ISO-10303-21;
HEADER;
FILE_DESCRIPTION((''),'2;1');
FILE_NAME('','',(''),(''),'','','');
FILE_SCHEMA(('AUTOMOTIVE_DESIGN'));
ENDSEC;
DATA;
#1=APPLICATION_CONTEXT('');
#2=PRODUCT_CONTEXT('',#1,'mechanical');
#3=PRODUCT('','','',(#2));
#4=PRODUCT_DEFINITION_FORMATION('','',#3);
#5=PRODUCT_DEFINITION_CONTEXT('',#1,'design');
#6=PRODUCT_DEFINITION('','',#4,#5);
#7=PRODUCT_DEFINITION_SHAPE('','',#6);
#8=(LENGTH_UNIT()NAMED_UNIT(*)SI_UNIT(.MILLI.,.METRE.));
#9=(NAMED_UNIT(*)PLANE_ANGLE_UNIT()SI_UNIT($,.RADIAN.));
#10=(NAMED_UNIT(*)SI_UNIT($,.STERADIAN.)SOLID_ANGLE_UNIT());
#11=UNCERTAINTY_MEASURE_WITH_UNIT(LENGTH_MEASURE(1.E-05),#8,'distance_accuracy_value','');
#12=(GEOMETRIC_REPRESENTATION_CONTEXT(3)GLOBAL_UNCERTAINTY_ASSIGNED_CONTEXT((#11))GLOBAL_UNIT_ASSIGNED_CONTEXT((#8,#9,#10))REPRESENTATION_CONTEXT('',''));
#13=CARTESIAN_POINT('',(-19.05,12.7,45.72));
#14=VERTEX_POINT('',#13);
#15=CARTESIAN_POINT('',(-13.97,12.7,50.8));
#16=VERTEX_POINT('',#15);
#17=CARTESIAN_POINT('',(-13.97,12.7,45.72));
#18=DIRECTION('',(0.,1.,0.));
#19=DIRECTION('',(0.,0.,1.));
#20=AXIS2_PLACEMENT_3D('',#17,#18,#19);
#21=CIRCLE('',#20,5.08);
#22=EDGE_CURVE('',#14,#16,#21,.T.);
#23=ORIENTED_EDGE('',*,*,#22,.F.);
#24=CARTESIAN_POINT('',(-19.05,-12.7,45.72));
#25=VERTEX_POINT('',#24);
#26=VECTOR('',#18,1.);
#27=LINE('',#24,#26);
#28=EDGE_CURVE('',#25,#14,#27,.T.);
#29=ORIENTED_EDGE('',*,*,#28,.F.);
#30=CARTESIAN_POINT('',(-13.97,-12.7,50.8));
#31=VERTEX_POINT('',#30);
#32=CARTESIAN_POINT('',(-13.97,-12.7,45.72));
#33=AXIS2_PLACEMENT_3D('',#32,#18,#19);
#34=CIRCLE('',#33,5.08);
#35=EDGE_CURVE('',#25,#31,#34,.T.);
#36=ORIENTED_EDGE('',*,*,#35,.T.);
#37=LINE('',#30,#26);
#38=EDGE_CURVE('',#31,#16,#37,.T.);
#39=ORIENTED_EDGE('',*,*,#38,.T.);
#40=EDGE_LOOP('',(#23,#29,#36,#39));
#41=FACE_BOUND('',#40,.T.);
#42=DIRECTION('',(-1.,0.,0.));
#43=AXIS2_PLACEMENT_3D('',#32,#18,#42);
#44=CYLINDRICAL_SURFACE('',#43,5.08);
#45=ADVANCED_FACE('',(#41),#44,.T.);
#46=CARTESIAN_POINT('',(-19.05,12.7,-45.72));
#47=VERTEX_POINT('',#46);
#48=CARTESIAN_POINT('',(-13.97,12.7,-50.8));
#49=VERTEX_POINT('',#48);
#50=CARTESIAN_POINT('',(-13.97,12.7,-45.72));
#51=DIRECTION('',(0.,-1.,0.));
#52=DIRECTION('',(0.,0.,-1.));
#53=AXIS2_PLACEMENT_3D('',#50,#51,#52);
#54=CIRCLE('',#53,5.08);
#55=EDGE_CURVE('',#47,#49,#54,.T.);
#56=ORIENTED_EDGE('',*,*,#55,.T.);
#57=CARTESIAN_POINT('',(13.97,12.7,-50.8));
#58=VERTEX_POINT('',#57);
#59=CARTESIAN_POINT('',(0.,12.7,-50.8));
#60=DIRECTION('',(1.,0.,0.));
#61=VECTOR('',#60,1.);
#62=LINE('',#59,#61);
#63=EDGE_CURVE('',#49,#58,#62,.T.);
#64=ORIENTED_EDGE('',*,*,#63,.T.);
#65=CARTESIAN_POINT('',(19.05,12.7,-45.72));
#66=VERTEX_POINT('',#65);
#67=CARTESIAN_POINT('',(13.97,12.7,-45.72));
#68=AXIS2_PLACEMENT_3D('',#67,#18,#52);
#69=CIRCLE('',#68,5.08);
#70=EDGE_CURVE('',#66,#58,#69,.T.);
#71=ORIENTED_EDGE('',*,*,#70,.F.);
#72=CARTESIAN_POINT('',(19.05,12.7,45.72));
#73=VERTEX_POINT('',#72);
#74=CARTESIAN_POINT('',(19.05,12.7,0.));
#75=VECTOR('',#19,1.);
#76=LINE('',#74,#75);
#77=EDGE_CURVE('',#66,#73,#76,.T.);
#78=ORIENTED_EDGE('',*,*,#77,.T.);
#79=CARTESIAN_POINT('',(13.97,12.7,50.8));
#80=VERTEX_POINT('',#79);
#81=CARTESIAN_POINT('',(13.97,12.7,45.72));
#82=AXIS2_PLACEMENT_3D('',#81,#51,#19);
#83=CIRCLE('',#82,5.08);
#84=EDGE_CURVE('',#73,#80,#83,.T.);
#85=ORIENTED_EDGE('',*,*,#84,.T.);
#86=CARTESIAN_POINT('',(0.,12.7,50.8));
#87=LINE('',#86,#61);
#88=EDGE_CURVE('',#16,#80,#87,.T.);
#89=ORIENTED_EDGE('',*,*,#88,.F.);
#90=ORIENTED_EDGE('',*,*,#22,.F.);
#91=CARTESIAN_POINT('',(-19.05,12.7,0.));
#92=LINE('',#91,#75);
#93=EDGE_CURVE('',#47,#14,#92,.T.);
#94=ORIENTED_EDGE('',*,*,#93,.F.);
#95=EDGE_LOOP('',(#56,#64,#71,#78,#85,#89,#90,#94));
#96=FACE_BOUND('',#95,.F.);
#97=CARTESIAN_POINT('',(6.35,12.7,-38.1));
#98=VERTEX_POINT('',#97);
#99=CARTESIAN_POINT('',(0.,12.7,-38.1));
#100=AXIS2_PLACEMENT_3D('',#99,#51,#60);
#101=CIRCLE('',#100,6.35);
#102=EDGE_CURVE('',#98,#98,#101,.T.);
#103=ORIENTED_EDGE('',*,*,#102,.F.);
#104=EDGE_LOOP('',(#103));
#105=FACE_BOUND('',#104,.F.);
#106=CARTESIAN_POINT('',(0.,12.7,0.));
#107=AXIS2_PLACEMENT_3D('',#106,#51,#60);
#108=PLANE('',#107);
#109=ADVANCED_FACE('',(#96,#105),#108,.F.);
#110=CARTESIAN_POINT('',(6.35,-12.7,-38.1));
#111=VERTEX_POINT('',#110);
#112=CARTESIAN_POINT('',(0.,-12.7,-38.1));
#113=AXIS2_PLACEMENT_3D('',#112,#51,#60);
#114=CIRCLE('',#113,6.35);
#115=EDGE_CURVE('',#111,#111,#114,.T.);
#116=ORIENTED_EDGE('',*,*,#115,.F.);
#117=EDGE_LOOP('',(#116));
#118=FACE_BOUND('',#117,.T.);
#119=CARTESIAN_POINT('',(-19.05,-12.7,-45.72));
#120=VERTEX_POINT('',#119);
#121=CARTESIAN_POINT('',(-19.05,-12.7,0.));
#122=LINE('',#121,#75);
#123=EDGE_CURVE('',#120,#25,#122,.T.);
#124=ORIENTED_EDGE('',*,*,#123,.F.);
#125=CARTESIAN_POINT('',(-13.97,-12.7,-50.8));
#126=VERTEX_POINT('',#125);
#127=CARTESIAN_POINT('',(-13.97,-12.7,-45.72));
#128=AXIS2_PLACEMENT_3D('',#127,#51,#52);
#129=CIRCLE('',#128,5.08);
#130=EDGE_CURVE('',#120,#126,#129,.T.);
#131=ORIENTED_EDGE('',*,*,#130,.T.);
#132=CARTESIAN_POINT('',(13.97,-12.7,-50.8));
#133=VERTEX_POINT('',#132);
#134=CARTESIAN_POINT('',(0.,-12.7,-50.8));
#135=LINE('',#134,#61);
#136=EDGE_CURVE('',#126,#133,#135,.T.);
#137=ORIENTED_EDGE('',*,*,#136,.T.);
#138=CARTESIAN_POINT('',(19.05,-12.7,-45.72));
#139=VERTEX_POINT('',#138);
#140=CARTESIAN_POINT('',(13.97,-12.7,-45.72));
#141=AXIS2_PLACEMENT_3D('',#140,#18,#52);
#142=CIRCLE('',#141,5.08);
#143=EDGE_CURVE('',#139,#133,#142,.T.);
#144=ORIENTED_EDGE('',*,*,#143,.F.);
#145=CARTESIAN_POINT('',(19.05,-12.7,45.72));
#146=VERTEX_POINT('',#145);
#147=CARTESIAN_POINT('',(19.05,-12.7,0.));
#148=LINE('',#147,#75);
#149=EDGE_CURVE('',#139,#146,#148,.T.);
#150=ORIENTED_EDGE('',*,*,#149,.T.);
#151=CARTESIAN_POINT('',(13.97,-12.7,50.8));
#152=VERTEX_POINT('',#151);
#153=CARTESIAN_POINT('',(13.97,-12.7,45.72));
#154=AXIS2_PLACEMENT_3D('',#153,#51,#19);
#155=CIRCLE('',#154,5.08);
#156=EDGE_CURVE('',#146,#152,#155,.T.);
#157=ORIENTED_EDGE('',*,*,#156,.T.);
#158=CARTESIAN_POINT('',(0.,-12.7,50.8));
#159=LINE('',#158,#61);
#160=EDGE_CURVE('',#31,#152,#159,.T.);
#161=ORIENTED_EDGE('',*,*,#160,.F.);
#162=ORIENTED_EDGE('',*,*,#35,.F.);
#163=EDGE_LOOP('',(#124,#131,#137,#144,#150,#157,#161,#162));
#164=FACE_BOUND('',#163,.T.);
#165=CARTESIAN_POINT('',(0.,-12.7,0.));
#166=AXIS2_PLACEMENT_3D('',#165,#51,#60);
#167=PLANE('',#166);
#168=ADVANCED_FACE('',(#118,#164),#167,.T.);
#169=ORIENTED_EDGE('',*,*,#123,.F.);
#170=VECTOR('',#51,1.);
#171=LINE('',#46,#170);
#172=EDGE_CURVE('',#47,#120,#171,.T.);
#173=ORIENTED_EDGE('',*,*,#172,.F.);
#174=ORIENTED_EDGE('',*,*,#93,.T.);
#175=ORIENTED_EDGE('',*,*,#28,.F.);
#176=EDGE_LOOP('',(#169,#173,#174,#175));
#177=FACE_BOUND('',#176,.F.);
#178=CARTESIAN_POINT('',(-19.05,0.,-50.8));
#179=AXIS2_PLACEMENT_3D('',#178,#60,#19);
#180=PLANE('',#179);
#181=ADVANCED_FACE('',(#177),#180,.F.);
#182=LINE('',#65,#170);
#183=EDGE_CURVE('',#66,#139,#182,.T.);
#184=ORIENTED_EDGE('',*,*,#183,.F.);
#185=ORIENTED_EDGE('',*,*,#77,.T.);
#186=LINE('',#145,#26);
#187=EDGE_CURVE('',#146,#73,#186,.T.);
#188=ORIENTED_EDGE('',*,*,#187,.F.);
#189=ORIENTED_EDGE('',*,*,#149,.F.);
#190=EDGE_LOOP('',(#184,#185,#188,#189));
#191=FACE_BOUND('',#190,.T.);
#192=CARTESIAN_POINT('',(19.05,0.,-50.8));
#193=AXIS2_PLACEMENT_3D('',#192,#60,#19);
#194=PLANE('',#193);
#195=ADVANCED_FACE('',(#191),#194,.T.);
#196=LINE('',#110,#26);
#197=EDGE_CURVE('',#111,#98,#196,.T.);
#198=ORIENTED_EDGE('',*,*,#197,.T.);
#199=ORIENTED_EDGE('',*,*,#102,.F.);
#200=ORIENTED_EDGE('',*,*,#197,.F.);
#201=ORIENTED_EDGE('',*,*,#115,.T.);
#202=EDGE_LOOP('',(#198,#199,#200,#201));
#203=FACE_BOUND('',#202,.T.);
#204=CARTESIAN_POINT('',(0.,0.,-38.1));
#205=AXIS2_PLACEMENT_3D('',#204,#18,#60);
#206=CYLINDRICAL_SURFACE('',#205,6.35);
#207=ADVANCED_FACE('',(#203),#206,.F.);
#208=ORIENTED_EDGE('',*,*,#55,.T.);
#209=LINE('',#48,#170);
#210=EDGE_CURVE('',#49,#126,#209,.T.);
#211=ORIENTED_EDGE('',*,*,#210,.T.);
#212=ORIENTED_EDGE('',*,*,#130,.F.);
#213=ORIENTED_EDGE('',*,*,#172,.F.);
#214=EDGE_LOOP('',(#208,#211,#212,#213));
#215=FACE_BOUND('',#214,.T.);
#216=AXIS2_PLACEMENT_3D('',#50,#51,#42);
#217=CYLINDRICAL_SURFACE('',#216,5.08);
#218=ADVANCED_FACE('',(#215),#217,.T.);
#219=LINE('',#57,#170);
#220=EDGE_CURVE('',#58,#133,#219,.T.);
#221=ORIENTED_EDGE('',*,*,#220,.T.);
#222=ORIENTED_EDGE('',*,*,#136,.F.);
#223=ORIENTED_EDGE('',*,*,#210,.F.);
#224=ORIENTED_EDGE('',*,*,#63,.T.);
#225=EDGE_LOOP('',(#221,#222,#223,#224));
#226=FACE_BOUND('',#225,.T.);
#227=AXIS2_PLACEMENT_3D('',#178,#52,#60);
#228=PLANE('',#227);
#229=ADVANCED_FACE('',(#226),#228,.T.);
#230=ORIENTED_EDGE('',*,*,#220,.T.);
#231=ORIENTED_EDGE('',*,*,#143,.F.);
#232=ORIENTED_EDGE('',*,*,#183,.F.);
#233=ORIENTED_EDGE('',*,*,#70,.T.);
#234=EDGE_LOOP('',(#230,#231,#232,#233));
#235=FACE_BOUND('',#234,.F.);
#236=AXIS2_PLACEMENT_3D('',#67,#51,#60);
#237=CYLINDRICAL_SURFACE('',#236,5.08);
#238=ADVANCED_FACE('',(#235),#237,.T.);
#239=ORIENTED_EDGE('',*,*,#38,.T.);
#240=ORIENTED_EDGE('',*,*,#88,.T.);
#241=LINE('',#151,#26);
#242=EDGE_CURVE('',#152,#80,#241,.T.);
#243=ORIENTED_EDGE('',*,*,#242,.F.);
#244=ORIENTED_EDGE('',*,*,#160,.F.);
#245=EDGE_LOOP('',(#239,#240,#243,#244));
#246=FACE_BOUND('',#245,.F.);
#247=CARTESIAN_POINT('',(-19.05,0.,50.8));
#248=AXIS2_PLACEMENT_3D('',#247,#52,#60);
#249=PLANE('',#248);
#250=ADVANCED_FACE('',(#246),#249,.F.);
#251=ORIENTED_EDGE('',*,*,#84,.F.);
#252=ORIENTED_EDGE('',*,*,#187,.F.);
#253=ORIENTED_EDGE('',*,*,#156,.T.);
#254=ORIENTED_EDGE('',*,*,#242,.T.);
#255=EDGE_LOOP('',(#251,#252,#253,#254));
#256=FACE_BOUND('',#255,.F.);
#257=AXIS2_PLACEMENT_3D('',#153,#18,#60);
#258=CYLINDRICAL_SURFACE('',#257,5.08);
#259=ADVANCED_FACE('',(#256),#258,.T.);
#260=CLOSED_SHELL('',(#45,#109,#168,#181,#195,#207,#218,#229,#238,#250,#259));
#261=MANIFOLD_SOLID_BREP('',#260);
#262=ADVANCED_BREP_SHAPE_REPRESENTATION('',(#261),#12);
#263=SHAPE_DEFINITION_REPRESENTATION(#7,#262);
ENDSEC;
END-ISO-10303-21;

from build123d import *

# Parameters (mm, degrees)
F0_W     = 38.1
F0_H     = 101.6
F0_R     = 6.35
F1_DEPTH = 12.7
F2_R     = 5.08


with BuildPart() as f1:
    # F0 (on Front) → F1 (new body, symmetric)
    with BuildSketch(Plane.XZ):
        Rectangle(F0_W, F0_H)
        with Locations((0, -38.1)):
            Circle(F0_R, mode=Mode.SUBTRACT)
    extrude(amount=F1_DEPTH, both=True)

    # F2
    f2_edges = [f1.edges().sort_by_distance(p)[0] for p in [
        (-19.05, 0, 50.8),
        (19.05, 0, 50.8),
        (19.05, 0, -50.8),
        (-19.05, 0, -50.8),
    ]]
    fillet(f2_edges, radius=F2_R)


solid = f1.part
